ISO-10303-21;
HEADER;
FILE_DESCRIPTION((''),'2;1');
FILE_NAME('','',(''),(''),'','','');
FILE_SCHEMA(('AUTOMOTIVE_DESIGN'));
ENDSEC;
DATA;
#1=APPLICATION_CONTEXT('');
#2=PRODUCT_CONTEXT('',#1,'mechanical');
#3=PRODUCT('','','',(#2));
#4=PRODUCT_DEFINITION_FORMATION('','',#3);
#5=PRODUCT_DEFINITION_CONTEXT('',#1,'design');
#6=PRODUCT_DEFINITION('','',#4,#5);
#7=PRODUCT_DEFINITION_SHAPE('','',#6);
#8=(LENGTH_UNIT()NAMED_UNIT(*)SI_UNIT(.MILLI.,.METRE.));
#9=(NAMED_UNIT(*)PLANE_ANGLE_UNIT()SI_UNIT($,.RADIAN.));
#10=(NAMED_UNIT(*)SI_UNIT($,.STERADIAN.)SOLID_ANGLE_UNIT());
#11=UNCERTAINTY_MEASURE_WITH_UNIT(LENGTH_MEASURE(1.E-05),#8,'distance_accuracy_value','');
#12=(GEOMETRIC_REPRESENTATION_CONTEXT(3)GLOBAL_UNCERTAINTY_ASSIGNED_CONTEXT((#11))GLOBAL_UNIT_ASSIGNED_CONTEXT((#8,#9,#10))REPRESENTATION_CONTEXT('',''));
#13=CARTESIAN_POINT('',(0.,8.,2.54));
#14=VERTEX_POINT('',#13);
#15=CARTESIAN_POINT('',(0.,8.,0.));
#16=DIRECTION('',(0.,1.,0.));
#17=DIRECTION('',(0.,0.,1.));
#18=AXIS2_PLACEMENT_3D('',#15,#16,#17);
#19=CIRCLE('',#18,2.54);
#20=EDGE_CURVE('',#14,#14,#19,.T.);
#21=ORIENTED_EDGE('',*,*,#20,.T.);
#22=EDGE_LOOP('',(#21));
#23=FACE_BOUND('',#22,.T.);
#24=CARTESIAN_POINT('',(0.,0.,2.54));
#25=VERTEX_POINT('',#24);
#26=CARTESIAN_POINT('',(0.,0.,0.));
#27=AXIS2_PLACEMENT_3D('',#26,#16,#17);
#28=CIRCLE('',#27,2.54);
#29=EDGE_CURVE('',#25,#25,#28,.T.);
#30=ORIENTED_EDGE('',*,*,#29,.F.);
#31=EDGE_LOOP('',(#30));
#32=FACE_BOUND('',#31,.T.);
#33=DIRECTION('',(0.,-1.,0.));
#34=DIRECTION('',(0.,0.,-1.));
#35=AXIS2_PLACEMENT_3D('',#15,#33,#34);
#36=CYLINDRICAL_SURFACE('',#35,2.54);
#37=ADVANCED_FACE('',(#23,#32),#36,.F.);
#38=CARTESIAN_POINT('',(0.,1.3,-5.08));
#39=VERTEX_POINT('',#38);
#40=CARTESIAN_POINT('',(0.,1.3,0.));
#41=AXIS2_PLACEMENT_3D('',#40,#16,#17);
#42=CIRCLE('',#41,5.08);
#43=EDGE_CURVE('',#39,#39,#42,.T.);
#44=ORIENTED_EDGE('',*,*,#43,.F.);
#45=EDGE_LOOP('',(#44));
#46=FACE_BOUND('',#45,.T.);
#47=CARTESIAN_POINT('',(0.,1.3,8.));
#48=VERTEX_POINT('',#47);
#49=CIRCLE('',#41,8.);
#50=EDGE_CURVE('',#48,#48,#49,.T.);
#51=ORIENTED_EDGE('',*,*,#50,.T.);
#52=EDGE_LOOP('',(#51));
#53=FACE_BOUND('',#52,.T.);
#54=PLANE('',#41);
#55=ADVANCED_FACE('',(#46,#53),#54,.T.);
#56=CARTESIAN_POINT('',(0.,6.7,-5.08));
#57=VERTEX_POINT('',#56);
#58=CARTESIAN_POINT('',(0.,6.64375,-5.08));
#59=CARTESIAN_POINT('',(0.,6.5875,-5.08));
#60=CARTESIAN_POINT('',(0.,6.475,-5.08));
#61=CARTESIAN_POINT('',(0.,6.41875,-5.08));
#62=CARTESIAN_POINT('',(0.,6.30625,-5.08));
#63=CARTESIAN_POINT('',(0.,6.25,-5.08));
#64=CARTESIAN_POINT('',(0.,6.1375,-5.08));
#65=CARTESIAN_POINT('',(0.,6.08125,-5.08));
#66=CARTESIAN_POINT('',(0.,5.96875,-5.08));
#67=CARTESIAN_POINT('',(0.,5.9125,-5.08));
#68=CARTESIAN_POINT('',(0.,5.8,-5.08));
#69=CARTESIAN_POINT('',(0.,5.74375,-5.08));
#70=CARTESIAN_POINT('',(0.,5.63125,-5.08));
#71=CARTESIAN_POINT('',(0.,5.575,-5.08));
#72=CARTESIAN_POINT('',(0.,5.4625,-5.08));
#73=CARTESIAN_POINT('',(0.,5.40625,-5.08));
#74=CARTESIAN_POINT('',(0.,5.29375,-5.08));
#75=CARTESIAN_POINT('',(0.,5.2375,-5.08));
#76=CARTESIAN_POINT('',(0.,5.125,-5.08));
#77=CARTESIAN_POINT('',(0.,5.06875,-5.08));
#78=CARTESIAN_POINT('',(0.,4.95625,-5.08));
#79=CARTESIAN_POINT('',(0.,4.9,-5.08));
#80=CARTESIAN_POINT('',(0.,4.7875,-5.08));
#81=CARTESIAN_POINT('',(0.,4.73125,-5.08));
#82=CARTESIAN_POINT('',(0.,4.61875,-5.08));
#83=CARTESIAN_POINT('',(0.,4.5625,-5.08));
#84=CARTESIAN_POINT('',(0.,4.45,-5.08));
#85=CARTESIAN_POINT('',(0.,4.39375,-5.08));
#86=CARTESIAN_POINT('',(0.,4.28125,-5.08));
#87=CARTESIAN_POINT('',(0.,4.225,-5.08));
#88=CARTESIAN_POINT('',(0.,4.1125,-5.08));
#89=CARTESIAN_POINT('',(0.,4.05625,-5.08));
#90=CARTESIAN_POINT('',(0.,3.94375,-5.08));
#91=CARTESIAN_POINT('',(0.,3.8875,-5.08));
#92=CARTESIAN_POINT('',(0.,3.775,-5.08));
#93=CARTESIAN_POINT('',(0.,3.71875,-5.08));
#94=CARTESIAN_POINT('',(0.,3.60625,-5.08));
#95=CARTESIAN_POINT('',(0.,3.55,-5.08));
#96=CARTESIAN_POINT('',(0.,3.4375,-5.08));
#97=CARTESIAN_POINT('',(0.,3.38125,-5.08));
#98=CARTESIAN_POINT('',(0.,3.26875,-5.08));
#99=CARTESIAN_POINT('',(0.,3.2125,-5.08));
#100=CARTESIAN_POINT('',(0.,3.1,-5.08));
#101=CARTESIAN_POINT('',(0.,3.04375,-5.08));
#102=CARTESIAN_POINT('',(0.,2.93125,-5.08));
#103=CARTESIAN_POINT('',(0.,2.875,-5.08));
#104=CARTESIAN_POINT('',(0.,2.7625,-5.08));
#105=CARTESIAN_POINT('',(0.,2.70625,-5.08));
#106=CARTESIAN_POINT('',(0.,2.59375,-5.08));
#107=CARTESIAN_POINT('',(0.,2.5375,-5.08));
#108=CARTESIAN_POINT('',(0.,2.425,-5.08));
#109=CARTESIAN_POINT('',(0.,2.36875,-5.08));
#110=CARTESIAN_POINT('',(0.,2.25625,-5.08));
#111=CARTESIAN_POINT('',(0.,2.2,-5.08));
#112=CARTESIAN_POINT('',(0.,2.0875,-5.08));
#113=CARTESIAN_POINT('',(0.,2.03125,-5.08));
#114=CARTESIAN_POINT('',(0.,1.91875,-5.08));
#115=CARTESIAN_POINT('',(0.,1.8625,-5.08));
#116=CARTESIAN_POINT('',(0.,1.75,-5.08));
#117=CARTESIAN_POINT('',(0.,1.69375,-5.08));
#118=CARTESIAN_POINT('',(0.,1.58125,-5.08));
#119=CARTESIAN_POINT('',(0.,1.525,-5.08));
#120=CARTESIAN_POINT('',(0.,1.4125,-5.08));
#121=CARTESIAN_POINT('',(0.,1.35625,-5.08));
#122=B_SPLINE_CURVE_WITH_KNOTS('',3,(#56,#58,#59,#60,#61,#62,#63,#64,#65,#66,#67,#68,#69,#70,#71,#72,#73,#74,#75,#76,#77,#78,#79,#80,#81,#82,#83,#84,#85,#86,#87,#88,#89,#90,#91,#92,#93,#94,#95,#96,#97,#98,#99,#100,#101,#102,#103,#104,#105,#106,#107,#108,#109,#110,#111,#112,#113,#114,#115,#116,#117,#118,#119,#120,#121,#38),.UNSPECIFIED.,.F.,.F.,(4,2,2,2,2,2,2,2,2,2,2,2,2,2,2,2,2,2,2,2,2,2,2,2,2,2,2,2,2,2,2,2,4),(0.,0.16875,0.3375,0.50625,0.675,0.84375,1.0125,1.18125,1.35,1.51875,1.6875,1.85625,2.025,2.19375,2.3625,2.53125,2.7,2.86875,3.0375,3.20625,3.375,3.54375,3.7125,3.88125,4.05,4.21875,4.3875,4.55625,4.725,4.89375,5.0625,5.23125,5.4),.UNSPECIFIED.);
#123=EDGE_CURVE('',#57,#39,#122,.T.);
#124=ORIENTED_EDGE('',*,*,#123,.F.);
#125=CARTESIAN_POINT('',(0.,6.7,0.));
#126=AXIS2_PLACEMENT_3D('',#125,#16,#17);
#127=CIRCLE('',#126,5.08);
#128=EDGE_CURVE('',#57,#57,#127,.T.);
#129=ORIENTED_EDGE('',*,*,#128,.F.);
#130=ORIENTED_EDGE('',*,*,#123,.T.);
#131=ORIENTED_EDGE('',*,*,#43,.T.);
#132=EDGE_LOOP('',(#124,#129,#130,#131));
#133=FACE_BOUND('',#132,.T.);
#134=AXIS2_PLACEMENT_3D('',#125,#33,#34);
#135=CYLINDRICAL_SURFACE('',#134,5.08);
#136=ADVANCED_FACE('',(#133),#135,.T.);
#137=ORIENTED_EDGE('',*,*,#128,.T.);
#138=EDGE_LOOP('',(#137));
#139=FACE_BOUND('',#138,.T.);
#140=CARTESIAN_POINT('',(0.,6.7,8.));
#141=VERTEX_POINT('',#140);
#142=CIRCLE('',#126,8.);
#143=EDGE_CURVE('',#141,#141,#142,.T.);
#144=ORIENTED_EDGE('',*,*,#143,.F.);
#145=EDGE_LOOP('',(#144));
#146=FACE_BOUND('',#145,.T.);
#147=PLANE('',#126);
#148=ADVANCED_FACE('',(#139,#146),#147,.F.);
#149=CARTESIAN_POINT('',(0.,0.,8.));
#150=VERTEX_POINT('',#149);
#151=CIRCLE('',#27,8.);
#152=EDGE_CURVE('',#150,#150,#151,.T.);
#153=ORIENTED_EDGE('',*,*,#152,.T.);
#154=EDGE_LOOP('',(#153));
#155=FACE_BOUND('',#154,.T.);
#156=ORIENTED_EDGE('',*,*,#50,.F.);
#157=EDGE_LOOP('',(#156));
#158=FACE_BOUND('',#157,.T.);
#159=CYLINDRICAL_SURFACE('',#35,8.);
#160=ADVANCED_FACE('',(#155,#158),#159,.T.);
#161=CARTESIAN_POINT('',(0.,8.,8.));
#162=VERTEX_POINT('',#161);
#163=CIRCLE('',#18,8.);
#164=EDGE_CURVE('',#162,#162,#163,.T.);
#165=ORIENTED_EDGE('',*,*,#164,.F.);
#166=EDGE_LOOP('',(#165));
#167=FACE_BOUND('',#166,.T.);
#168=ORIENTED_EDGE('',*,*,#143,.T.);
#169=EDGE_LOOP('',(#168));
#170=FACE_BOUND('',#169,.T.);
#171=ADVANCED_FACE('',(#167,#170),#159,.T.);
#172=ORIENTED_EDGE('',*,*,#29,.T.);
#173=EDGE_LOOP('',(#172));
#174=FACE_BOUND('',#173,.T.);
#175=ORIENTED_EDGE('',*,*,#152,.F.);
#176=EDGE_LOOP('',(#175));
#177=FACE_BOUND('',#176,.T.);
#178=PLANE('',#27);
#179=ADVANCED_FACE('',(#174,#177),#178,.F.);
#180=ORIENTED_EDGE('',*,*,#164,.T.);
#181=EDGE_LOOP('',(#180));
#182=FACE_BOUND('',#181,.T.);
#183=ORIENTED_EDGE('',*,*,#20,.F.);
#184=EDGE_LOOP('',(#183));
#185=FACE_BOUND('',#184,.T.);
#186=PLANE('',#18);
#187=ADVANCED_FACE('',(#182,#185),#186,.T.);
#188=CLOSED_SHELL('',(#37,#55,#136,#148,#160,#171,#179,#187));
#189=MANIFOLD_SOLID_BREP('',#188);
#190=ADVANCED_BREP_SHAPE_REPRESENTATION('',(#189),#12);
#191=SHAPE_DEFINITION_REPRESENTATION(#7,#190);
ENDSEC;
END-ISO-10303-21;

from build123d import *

# Parameters (mm, degrees)
SKETCH1_R           = 8
SKETCH1_R_2         = 2.54
BOSS_EXTRUDE1_DEPTH = 8
SKETCH2_R           = 8
SKETCH2_R_2         = 5.08
CUT_EXTRUDE1_DEPTH  = 5.4


with BuildPart() as part:
    # Sketch1 → Boss-Extrude1 (new body)
    with BuildSketch(Plane(origin=(0, 0, 0), x_dir=(1, 0, 0), z_dir=(0, 1, 0))):
        with Locations(Location((0, 0, 0), (0, 0, 270))):
            Circle(SKETCH1_R)
        with Locations(Location((0, 0, 0), (0, 0, 270))):
            Circle(SKETCH1_R_2, mode=Mode.SUBTRACT)
    extrude(amount=BOSS_EXTRUDE1_DEPTH)

    # Sketch2 → Cut-Extrude1 (cut)
    with BuildSketch(Plane(origin=(0, 1.3, 0), x_dir=(1, 0, 0), z_dir=(0, 1, 0))):
        with Locations(Location((0, 0, 0), (0, 0, 270))):
            Circle(SKETCH2_R)
        with Locations(Location((0, 0, 0), (0, 0, 90))):
            Circle(SKETCH2_R_2, mode=Mode.SUBTRACT)
    extrude(amount=CUT_EXTRUDE1_DEPTH, mode=Mode.SUBTRACT)


solid = part.part
